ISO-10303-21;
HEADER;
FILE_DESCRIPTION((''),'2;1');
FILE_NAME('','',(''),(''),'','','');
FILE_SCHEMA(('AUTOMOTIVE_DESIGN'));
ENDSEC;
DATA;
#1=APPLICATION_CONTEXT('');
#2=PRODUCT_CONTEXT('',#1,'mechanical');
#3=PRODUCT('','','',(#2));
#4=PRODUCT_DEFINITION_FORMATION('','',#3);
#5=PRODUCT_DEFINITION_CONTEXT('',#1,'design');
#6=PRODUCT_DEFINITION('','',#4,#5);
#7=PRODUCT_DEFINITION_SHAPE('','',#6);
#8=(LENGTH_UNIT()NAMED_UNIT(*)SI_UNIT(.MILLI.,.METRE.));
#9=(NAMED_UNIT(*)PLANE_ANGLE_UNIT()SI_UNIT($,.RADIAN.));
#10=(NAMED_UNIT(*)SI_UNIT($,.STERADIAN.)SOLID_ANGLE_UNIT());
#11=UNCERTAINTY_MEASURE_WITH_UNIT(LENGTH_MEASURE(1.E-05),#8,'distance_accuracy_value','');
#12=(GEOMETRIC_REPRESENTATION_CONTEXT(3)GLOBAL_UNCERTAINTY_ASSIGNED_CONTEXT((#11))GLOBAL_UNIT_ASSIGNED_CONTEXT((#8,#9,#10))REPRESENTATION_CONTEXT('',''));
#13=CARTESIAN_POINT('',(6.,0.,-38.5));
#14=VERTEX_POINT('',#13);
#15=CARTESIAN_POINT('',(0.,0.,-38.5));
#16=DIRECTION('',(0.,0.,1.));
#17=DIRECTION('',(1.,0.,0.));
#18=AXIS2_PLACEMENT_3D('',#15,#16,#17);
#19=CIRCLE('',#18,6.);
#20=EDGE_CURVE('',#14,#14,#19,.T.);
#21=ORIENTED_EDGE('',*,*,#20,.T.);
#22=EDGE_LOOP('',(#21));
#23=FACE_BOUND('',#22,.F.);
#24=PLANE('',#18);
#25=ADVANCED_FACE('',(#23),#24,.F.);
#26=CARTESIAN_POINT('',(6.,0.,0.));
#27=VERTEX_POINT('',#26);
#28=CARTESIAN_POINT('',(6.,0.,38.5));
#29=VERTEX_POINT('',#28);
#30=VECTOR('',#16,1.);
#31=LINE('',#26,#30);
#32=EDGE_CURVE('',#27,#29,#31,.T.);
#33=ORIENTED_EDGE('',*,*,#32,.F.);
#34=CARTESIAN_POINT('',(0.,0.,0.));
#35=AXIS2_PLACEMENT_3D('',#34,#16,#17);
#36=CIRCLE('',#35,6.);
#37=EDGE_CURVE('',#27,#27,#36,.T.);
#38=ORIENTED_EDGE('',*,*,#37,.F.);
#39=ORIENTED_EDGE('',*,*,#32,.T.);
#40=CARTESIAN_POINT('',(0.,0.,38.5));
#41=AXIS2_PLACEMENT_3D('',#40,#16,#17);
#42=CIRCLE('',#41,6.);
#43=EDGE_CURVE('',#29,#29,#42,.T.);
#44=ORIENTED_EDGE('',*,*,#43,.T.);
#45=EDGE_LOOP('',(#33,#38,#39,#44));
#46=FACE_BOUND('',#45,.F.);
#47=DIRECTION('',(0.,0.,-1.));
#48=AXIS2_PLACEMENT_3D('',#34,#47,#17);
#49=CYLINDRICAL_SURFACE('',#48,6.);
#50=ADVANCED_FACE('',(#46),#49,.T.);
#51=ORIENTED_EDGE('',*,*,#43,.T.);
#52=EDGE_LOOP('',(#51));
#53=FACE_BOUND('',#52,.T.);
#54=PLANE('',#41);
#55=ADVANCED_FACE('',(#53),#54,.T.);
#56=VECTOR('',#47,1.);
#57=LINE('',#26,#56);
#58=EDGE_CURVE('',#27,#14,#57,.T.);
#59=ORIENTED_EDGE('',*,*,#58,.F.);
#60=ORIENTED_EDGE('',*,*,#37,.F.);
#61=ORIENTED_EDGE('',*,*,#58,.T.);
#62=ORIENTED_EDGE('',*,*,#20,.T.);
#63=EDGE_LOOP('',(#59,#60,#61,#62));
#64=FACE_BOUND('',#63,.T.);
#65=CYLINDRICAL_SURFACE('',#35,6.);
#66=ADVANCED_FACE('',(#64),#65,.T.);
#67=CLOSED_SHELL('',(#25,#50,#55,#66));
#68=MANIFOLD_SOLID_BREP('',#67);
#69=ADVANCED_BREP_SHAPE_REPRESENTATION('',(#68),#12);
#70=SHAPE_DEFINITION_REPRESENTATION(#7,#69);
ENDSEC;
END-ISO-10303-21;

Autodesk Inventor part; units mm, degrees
ref_plane "YZ Plane" through (0, 0, 0) normal (1, 0, 0) x (0, 1, 0)
ref_plane "XZ Plane" through (0, 0, 0) normal (0, 1, 0) x (-1, 0, 0)
ref_plane "XY Plane" through (0, 0, 0) normal (0, 0, 1) x (1, 0, 0)
sketch "Sketch1" plane through (0, 0, 0) normal (0, 0, 1) x (1, 0, 0)
  circle A0 centre (0, 0) radius 6
  dimension "d0" = 12
extrude "Extrusion1" add sketch "Sketch1" along normal mid plane 77
equation "\"d0\" = Шпил_пласт_НОС_диам_шпильки"
equation "\"Шпил_пласт_НОС_диам_шпильки\" = 12"
properties part number "ДМС 032 шпилька 2"
